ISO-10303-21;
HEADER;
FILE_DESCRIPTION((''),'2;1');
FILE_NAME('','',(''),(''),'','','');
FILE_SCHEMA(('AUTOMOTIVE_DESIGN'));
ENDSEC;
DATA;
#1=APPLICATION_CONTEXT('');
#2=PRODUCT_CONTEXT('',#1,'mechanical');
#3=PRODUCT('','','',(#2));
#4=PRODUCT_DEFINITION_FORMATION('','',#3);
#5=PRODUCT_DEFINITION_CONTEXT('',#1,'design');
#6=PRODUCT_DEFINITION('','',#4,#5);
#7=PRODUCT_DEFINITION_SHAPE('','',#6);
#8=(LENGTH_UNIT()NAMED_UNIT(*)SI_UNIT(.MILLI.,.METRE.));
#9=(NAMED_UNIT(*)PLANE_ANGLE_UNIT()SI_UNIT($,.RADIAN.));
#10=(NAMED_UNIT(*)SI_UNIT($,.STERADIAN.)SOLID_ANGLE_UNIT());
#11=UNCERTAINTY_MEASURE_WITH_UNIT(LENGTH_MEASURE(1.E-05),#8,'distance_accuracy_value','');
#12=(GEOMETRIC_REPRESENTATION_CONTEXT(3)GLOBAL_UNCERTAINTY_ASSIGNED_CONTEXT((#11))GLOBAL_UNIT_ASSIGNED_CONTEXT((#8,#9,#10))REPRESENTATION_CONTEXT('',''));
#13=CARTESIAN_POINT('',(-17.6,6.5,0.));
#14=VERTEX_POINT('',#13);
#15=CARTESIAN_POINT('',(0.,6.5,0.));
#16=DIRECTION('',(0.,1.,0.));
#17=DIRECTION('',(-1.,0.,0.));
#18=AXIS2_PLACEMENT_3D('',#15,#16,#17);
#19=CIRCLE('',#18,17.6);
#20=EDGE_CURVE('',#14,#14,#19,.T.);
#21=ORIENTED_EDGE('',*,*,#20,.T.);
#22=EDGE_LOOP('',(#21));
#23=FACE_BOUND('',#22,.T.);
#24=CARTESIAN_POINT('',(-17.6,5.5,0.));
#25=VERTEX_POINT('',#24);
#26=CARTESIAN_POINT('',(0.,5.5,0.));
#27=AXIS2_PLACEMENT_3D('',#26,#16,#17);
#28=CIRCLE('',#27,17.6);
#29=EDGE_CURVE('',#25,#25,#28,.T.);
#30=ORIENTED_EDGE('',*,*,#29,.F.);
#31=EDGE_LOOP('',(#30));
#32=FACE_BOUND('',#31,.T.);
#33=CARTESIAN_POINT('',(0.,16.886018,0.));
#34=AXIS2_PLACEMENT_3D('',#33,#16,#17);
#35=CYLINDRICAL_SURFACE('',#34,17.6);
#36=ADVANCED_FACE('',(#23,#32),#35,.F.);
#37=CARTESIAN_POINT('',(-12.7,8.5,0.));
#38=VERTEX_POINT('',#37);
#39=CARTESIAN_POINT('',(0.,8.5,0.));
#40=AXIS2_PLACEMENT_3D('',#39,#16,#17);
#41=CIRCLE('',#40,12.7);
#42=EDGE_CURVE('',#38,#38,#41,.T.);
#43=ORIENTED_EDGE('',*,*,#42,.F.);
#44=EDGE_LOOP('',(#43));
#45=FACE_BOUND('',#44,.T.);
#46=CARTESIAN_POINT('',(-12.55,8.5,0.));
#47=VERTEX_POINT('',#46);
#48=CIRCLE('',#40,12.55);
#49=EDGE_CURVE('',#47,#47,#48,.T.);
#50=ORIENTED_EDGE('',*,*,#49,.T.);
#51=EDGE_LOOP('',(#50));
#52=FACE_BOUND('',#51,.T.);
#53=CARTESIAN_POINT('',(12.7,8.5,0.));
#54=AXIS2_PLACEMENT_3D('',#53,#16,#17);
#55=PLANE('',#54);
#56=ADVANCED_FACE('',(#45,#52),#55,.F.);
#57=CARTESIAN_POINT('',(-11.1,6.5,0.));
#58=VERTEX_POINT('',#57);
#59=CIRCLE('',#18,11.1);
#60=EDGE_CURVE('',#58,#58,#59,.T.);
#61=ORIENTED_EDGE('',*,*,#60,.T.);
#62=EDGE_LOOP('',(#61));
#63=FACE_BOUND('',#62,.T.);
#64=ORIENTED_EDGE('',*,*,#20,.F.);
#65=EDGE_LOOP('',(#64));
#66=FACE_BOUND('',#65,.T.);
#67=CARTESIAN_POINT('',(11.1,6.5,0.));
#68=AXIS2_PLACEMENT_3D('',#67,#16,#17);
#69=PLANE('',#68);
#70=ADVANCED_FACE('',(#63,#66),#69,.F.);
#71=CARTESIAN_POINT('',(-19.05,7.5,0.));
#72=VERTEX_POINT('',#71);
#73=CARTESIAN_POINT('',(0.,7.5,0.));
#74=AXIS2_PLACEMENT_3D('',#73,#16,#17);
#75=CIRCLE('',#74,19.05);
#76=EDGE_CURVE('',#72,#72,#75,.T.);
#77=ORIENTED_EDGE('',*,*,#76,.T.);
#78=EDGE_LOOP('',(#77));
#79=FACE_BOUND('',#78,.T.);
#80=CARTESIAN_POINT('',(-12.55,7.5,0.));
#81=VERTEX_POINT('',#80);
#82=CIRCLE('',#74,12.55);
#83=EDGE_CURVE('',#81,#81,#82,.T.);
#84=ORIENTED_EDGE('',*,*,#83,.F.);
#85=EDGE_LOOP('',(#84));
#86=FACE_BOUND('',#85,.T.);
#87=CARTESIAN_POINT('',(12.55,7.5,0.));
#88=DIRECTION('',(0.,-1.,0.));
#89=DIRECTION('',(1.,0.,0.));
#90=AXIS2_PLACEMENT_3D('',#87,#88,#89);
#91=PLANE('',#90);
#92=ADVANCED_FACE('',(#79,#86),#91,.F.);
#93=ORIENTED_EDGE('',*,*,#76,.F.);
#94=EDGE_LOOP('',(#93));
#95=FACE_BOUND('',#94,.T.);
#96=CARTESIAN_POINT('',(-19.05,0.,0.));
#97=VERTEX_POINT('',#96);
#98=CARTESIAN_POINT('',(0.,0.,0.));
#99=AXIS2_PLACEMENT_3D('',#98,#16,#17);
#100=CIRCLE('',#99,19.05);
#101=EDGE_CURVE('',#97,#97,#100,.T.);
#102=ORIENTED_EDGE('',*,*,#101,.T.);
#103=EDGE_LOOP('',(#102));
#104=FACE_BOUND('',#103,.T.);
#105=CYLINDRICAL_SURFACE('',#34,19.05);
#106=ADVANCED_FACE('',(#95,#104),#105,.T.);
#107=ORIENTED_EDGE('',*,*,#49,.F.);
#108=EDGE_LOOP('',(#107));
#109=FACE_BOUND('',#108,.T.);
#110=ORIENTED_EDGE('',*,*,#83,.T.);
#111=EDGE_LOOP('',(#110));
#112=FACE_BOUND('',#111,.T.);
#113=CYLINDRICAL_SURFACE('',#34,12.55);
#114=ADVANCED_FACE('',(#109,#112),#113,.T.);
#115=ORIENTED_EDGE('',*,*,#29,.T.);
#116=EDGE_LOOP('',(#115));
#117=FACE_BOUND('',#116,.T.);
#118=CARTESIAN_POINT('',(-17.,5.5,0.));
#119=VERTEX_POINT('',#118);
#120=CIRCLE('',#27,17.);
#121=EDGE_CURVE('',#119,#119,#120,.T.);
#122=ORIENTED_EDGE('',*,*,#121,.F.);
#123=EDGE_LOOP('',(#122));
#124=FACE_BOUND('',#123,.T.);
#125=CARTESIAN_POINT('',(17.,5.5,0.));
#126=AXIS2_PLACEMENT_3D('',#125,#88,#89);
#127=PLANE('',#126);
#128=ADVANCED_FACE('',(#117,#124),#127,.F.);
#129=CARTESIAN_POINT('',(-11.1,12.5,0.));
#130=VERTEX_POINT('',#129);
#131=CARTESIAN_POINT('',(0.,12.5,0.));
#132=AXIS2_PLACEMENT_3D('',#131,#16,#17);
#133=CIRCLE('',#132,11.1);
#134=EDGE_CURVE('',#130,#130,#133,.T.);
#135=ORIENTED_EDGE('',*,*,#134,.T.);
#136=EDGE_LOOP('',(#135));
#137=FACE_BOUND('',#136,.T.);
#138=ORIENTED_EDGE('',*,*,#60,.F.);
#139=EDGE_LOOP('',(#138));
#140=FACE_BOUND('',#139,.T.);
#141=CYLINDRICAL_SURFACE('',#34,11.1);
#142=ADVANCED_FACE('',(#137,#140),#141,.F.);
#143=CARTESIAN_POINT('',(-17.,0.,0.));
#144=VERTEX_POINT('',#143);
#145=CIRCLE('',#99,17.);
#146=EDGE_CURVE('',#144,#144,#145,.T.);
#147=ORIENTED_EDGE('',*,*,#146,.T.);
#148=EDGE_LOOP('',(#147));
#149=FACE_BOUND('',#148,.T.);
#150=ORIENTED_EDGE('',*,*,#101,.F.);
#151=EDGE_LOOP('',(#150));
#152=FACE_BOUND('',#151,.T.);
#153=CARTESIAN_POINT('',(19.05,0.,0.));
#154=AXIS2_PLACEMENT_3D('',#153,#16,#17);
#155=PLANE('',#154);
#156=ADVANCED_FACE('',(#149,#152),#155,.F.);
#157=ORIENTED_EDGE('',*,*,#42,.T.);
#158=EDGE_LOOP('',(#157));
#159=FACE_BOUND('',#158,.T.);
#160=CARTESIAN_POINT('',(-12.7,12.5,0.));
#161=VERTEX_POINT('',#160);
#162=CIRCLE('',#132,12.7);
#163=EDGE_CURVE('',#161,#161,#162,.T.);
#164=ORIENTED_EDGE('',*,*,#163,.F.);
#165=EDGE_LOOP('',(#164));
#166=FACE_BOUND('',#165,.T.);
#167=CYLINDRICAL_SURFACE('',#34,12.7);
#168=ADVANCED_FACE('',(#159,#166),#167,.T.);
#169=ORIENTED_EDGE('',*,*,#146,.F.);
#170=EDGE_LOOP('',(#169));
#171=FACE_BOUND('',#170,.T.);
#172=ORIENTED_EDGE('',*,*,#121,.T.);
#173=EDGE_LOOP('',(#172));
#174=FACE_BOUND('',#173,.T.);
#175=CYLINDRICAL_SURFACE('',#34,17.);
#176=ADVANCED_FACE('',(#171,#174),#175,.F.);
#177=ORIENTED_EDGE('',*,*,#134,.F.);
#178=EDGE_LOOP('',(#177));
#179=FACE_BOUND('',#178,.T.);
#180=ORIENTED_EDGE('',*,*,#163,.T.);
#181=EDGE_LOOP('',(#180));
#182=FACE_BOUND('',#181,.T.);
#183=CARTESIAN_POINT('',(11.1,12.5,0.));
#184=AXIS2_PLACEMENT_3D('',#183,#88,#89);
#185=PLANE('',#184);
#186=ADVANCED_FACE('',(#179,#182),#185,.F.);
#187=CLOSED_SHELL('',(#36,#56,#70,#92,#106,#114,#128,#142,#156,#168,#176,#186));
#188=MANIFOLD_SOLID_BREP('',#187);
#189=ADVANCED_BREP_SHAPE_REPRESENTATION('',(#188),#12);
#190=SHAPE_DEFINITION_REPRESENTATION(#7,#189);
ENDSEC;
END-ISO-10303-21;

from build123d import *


with BuildPart() as part:
    # 草图1 → 旋转1 (revolve)
    with BuildSketch(Plane.XY, mode=Mode.PRIVATE) as revolve_1_sk:
        Polygon((17, 0), (17, 5.5), (17.6, 5.5), (17.6, 6.5), (11.1, 6.5), (11.1, 12.5), (12.7, 12.5), (12.7, 8.5), (12.55, 8.5), (12.55, 7.5), (19.05, 7.5), (19.05, 0), align=None)
    revolve(revolve_1_sk.sketch.rotate(Axis((0, 16.886018237, 0), (0, -1, 0)), 180), axis=Axis((0, 16.886018237, 0), (0, -1, 0)))  # turned: the seam where the file's is


solid = part.part
